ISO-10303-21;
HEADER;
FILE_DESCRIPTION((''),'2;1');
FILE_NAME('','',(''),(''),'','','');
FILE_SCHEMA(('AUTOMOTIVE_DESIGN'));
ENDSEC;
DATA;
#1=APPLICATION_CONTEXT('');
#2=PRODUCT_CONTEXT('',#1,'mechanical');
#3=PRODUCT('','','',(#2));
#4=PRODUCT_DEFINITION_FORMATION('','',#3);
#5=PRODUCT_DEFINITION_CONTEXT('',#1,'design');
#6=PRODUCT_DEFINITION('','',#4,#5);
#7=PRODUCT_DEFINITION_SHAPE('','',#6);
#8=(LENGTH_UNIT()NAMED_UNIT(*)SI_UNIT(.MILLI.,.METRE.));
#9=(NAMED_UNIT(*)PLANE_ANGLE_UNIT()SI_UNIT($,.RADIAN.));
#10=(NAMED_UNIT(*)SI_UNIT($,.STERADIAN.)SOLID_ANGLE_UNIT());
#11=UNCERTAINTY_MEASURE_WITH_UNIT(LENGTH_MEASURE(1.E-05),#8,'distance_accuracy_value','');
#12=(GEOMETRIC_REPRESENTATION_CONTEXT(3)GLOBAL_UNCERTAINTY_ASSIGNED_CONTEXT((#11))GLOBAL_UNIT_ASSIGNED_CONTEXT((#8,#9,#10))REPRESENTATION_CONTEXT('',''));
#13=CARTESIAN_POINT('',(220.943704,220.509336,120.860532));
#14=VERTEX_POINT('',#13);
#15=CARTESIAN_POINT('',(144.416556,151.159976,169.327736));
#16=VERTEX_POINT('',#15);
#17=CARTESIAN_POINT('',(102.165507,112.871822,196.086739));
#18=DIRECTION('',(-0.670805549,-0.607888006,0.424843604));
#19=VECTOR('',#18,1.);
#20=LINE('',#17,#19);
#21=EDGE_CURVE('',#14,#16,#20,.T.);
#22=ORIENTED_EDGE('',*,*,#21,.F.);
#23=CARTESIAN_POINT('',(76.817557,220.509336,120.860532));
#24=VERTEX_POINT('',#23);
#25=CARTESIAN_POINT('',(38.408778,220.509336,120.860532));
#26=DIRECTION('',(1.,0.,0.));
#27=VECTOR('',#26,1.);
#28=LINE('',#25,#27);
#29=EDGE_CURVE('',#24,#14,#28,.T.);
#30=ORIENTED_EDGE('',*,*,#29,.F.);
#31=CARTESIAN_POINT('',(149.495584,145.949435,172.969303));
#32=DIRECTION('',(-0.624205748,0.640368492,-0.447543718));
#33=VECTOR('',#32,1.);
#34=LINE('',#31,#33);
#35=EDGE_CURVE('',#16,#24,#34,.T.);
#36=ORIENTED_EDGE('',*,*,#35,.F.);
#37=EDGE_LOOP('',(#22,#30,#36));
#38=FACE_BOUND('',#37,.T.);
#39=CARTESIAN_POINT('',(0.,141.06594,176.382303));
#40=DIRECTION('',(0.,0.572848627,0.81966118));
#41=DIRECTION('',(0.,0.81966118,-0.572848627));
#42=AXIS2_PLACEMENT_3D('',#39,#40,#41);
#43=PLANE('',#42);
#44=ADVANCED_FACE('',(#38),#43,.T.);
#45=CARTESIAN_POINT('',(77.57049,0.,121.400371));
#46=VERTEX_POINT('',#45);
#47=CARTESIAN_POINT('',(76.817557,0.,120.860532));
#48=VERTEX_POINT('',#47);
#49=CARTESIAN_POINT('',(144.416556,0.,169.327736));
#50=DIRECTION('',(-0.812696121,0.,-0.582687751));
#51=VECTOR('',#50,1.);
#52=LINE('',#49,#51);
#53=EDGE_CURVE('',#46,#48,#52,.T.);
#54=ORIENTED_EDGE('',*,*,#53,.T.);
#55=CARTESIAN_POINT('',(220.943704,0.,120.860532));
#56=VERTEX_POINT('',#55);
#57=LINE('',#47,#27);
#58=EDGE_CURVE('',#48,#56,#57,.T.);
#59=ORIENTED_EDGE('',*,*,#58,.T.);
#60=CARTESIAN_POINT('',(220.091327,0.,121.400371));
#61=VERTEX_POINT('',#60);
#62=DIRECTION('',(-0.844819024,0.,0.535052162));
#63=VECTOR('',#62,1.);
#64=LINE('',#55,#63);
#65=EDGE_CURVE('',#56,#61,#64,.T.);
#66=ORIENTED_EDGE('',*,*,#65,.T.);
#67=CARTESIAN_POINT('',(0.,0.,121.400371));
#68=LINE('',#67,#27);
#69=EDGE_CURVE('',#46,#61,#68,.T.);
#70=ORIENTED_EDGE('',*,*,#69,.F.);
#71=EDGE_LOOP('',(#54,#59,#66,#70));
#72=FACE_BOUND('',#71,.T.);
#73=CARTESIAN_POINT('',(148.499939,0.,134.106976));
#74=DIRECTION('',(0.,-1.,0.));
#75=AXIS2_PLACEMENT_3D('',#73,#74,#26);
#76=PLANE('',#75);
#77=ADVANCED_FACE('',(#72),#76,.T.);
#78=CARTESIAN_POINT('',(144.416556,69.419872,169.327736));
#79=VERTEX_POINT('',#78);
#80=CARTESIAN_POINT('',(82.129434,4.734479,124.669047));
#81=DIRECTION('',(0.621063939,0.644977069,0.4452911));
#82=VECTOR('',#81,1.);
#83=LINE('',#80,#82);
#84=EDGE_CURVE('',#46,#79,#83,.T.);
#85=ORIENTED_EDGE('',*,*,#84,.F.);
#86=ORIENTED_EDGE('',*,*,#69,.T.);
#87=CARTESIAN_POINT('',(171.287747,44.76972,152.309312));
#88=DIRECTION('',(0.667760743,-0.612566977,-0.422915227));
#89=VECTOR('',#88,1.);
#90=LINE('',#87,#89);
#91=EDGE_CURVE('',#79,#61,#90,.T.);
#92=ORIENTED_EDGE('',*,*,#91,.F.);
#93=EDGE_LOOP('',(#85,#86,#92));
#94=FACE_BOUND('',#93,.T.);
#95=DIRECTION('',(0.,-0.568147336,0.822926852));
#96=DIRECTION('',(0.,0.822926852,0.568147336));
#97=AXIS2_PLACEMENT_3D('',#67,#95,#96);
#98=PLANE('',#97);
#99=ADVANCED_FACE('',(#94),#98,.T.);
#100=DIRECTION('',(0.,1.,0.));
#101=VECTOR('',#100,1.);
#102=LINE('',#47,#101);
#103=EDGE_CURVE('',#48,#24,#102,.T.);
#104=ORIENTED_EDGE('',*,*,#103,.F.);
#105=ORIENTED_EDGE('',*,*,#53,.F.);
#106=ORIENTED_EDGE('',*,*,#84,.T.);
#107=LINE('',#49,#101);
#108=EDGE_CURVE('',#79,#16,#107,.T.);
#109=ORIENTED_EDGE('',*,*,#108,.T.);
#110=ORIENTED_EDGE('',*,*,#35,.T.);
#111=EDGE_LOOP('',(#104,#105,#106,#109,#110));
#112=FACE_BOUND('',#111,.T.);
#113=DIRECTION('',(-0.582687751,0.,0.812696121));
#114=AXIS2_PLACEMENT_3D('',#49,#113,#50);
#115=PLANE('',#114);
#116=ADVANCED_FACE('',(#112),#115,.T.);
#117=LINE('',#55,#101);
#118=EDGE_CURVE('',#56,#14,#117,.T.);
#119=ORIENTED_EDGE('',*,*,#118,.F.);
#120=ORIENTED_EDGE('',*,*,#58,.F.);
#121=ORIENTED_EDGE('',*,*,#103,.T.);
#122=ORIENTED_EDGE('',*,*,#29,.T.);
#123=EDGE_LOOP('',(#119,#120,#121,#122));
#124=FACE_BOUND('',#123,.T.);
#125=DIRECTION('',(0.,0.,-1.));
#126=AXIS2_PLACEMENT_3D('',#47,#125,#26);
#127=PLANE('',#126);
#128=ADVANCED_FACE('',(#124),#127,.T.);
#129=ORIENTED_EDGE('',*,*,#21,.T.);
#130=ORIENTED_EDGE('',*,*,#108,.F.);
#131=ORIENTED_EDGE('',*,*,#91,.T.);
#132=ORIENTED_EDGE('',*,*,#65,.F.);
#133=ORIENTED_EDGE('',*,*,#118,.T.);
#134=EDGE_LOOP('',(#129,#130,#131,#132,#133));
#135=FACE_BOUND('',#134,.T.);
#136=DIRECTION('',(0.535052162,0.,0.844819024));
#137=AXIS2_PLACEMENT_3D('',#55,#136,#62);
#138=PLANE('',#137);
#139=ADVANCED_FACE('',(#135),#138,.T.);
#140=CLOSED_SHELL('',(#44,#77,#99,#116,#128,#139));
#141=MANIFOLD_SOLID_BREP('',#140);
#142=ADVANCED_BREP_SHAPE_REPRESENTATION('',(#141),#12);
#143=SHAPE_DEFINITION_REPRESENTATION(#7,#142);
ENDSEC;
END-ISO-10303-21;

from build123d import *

# Parameters (mm, degrees)
F1_DEPTH = 221.488
F3_DEPTH = 383.794
F5_DEPTH = 385.064


with BuildPart() as f1:
    # F0 (on Front) → F1 (new body)
    with BuildSketch(Plane.XZ):
        Polygon((144.416556, 169.327736), (76.817557, 120.860532), (220.943704, 120.860532), align=None)
    extrude(amount=-F1_DEPTH)

    # F2 (on Right) → F3 (cut)
    with BuildSketch(Plane.YZ):
        Polygon((-13.188886, 115.596727), (0, 121.400371), (78.753106, 175.771385), (-13.188886, 175.771385), align=None)
    extrude(amount=F3_DEPTH, mode=Mode.SUBTRACT)

    # F4 (on Right) → F5 (cut)
    with BuildSketch(Plane.YZ):
        Polygon((141.06594, 176.382303), (223.233372, 118.956745), (241.255224, 92.687599), (241.255224, 179.131404), align=None)
    extrude(amount=F5_DEPTH, mode=Mode.SUBTRACT)


solid = f1.part
